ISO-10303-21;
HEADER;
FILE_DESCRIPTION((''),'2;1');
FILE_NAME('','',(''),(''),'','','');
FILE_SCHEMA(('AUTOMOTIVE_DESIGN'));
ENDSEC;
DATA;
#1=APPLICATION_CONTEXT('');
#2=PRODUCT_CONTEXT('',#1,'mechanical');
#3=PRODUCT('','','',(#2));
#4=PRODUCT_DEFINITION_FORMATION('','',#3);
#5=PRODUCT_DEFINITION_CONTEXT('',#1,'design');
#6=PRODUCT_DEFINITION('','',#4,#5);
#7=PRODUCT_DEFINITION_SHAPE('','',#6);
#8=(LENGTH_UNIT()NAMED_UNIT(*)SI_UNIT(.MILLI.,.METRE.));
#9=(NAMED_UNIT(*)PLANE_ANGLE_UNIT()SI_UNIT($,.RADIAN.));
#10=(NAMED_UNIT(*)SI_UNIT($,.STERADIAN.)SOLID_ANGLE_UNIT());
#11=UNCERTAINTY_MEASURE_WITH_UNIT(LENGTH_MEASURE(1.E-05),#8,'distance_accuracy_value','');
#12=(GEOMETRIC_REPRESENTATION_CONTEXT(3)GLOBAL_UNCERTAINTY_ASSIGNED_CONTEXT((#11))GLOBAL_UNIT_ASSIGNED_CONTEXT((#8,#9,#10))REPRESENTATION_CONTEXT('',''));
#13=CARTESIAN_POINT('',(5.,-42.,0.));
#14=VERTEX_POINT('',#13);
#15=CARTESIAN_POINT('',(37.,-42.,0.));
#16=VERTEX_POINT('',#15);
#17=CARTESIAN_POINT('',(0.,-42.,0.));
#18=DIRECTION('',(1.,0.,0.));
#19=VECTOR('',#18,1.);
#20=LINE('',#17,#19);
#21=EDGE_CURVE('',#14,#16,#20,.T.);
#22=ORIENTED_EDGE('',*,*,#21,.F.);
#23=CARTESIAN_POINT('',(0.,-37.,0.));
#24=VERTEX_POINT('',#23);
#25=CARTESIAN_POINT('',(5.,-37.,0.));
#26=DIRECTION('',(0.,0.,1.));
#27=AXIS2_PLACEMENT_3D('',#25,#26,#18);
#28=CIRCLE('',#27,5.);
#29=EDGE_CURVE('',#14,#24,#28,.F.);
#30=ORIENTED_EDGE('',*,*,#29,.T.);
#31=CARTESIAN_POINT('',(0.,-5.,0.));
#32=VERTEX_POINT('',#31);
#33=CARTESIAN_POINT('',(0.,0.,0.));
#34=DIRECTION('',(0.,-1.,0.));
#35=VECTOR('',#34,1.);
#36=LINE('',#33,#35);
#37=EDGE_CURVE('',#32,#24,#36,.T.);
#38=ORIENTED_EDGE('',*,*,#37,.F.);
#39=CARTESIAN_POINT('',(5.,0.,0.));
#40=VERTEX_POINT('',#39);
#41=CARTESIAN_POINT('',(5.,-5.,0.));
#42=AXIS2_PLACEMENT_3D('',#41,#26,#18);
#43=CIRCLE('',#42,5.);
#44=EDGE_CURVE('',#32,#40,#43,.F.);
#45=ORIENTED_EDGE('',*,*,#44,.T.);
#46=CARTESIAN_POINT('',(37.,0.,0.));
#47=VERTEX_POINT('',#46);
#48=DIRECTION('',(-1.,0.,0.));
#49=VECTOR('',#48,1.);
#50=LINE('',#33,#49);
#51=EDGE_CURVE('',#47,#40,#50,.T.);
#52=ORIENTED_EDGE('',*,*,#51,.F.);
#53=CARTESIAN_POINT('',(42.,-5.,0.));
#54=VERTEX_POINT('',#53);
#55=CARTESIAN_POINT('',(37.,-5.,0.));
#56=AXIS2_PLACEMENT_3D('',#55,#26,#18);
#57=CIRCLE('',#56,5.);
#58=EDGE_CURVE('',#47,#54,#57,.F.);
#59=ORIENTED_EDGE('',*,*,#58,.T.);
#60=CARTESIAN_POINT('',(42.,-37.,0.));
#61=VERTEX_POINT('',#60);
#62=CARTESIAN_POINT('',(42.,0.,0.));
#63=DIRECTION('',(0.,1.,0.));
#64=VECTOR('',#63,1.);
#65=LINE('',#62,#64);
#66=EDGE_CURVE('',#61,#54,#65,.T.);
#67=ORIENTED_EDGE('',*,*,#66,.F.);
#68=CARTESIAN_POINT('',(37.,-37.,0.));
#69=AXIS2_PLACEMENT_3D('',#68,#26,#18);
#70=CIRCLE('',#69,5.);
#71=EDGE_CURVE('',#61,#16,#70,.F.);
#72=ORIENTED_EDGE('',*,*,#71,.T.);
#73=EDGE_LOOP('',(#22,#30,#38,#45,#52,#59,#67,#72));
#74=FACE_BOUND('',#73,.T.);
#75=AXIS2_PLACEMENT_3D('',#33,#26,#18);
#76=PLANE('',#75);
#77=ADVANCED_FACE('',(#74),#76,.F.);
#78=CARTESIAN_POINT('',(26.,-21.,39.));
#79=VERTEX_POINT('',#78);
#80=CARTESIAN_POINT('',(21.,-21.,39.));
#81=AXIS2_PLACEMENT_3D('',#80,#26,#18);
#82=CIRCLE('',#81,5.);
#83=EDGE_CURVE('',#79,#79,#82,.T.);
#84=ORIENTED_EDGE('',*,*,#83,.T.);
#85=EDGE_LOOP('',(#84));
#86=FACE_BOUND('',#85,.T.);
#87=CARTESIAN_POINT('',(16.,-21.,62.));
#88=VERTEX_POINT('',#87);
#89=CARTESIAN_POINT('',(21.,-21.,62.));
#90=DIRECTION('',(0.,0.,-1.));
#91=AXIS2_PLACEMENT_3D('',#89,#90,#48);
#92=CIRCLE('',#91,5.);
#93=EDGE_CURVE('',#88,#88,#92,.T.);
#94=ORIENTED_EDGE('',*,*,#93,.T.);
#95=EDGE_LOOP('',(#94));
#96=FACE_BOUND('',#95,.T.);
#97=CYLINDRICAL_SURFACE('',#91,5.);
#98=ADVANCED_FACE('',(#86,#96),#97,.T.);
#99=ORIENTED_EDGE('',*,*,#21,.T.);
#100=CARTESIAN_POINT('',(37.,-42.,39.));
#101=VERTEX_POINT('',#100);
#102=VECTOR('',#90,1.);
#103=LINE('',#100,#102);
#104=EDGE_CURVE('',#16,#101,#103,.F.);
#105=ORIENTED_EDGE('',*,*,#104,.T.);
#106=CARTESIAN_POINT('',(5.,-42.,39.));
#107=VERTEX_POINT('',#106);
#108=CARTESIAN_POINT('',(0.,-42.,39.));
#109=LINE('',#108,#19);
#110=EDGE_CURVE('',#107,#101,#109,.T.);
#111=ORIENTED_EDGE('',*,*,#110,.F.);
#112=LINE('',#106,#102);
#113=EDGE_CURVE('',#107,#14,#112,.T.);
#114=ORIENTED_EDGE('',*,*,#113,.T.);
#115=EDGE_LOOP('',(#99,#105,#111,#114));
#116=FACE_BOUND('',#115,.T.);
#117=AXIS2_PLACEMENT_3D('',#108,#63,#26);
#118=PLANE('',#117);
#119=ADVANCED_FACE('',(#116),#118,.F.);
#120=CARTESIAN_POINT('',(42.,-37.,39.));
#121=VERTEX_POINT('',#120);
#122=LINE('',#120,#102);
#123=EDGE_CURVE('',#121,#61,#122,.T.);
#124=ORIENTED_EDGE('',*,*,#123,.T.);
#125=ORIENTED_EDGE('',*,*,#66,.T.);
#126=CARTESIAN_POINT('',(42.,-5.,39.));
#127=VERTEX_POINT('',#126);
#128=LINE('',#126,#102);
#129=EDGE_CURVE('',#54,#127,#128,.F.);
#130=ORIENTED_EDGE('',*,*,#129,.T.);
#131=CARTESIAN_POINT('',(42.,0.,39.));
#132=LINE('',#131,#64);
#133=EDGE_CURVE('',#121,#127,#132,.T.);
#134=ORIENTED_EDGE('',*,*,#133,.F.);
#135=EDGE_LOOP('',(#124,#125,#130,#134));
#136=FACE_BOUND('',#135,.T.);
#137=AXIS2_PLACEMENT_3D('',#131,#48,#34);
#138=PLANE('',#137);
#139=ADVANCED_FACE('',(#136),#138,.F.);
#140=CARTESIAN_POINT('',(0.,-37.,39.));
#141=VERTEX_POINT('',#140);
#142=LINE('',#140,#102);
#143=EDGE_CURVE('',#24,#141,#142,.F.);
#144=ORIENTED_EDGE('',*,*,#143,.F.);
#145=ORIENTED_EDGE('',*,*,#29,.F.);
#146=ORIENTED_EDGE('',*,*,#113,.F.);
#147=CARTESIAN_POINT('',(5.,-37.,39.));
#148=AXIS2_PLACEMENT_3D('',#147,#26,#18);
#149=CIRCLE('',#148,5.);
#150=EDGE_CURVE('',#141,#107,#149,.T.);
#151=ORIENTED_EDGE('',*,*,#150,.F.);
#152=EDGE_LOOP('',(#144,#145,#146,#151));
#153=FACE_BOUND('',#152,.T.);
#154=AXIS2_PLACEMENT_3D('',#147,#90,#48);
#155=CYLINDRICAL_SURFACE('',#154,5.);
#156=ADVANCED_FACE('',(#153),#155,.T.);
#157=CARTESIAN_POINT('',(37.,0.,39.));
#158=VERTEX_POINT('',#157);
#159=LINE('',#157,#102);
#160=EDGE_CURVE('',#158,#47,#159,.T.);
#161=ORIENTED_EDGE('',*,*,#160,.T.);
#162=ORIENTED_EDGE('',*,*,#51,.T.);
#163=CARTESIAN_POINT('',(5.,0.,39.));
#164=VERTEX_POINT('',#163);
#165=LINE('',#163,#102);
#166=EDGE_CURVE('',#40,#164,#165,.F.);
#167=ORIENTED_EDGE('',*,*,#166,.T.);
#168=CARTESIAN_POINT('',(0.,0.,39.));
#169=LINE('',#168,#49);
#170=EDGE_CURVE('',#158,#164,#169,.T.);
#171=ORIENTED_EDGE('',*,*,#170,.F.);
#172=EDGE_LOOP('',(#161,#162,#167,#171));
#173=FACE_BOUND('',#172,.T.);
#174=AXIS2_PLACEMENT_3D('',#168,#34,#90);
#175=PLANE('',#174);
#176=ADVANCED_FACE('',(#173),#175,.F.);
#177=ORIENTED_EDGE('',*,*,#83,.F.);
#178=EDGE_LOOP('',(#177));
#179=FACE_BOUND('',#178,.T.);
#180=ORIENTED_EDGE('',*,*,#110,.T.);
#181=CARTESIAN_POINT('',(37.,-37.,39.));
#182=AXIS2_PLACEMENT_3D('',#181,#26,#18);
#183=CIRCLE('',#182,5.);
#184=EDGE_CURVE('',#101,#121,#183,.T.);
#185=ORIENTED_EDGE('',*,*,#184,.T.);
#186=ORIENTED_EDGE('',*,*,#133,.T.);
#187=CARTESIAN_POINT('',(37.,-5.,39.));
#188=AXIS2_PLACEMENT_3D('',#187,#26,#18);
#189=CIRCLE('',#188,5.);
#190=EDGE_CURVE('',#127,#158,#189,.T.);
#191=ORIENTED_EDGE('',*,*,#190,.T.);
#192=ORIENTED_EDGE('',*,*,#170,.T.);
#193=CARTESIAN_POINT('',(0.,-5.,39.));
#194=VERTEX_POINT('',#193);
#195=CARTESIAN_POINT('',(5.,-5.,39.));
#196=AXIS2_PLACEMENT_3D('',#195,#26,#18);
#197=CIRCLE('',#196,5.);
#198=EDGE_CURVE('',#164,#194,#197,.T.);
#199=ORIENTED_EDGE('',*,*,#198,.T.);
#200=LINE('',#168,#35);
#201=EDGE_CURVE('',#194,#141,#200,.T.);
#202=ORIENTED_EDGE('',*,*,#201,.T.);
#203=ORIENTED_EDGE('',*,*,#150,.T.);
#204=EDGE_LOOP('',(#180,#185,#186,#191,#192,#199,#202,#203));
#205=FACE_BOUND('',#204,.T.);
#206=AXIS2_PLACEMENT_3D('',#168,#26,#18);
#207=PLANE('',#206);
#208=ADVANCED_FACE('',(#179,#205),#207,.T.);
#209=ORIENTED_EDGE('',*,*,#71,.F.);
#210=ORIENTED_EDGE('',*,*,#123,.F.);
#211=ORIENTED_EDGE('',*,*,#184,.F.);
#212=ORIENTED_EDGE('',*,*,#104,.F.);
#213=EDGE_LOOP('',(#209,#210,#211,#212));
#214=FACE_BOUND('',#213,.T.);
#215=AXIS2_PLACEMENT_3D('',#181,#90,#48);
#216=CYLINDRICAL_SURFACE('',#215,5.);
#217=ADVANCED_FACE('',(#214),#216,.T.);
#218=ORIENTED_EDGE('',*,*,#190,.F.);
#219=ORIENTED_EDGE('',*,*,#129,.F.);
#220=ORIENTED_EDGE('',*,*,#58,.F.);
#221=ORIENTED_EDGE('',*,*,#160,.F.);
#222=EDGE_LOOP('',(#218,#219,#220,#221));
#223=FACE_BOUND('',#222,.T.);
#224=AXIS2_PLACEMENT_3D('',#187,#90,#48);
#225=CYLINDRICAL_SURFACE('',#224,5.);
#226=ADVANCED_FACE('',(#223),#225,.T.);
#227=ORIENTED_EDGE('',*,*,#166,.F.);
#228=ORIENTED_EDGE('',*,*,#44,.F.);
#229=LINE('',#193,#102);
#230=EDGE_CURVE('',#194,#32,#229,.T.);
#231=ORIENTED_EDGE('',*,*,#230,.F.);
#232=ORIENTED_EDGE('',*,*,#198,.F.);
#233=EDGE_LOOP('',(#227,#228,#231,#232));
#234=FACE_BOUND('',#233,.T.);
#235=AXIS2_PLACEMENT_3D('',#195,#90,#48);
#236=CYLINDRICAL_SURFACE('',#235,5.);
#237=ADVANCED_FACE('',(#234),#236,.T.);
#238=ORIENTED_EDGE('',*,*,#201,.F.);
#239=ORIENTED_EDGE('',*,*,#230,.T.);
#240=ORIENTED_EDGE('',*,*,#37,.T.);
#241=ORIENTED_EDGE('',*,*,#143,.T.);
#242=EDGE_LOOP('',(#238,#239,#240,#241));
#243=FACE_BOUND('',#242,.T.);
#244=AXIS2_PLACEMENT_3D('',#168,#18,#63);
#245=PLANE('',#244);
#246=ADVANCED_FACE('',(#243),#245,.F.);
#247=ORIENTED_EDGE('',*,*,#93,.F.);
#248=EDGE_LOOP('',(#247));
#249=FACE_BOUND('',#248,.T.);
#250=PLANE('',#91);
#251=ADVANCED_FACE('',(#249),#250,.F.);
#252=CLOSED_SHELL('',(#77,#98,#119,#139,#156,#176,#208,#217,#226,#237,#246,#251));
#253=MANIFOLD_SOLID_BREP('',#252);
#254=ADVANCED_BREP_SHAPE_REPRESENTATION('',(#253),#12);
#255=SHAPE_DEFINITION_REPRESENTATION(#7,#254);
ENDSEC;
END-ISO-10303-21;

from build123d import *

# Parameters (mm, degrees)
ESQUISSE1_W             = 42
ESQUISSE1_H             = 42
BOSS_EXTRU_1_DEPTH      = 39
CONG_1_R                = 5
ESQUISSE2_R             = 5
BOSS_EXTRU_2_DEPTH      = 23
ESQUISSE3_R             = 5
BOSS_EXTRU_3_DEPTH      = 85
ESQUISSE4_R             = 5
ENL_V_MAT_EXTRU_1_DEPTH = 23


with BuildPart() as part:
    # Esquisse1 → Boss.-Extru.1 (new body)
    with BuildSketch(Plane.XY):
        with Locations((21, -21)):
            Rectangle(ESQUISSE1_W, ESQUISSE1_H)
    extrude(amount=BOSS_EXTRU_1_DEPTH)

    # Congé1
    cong_1_edges = [part.edges().sort_by_distance(p)[0] for p in [
        (0, 0, 19.5),
        (42, 0, 19.5),
        (42, -42, 19.5),
        (0, -42, 19.5),
    ]]
    fillet(cong_1_edges, radius=CONG_1_R)

    # Esquisse2 → Boss.-Extru.2 (add)
    with BuildSketch(Plane(origin=(0, 0, 0), x_dir=(-1, 0, 0), z_dir=(0, 0, -1))):
        with Locations((-21, -21)):
            Circle(ESQUISSE2_R)
    extrude(amount=BOSS_EXTRU_2_DEPTH)

    # Esquisse3 → Boss.-Extru.3 (add)
    with BuildSketch(Plane(origin=(0, 0, -23), x_dir=(-1, 0, 0), z_dir=(0, 0, -1))):
        with Locations((-21, -21)):
            Circle(ESQUISSE3_R)
    extrude(amount=-BOSS_EXTRU_3_DEPTH)

    # Esquisse4 → Enlèv. mat.-Extru.1 (cut)
    with BuildSketch(Plane(origin=(0, 0, -23), x_dir=(-1, 0, 0), z_dir=(0, 0, -1))):
        with Locations((-21, -21)):
            Circle(ESQUISSE4_R)
    extrude(amount=-ENL_V_MAT_EXTRU_1_DEPTH, mode=Mode.SUBTRACT)


solid = part.part
